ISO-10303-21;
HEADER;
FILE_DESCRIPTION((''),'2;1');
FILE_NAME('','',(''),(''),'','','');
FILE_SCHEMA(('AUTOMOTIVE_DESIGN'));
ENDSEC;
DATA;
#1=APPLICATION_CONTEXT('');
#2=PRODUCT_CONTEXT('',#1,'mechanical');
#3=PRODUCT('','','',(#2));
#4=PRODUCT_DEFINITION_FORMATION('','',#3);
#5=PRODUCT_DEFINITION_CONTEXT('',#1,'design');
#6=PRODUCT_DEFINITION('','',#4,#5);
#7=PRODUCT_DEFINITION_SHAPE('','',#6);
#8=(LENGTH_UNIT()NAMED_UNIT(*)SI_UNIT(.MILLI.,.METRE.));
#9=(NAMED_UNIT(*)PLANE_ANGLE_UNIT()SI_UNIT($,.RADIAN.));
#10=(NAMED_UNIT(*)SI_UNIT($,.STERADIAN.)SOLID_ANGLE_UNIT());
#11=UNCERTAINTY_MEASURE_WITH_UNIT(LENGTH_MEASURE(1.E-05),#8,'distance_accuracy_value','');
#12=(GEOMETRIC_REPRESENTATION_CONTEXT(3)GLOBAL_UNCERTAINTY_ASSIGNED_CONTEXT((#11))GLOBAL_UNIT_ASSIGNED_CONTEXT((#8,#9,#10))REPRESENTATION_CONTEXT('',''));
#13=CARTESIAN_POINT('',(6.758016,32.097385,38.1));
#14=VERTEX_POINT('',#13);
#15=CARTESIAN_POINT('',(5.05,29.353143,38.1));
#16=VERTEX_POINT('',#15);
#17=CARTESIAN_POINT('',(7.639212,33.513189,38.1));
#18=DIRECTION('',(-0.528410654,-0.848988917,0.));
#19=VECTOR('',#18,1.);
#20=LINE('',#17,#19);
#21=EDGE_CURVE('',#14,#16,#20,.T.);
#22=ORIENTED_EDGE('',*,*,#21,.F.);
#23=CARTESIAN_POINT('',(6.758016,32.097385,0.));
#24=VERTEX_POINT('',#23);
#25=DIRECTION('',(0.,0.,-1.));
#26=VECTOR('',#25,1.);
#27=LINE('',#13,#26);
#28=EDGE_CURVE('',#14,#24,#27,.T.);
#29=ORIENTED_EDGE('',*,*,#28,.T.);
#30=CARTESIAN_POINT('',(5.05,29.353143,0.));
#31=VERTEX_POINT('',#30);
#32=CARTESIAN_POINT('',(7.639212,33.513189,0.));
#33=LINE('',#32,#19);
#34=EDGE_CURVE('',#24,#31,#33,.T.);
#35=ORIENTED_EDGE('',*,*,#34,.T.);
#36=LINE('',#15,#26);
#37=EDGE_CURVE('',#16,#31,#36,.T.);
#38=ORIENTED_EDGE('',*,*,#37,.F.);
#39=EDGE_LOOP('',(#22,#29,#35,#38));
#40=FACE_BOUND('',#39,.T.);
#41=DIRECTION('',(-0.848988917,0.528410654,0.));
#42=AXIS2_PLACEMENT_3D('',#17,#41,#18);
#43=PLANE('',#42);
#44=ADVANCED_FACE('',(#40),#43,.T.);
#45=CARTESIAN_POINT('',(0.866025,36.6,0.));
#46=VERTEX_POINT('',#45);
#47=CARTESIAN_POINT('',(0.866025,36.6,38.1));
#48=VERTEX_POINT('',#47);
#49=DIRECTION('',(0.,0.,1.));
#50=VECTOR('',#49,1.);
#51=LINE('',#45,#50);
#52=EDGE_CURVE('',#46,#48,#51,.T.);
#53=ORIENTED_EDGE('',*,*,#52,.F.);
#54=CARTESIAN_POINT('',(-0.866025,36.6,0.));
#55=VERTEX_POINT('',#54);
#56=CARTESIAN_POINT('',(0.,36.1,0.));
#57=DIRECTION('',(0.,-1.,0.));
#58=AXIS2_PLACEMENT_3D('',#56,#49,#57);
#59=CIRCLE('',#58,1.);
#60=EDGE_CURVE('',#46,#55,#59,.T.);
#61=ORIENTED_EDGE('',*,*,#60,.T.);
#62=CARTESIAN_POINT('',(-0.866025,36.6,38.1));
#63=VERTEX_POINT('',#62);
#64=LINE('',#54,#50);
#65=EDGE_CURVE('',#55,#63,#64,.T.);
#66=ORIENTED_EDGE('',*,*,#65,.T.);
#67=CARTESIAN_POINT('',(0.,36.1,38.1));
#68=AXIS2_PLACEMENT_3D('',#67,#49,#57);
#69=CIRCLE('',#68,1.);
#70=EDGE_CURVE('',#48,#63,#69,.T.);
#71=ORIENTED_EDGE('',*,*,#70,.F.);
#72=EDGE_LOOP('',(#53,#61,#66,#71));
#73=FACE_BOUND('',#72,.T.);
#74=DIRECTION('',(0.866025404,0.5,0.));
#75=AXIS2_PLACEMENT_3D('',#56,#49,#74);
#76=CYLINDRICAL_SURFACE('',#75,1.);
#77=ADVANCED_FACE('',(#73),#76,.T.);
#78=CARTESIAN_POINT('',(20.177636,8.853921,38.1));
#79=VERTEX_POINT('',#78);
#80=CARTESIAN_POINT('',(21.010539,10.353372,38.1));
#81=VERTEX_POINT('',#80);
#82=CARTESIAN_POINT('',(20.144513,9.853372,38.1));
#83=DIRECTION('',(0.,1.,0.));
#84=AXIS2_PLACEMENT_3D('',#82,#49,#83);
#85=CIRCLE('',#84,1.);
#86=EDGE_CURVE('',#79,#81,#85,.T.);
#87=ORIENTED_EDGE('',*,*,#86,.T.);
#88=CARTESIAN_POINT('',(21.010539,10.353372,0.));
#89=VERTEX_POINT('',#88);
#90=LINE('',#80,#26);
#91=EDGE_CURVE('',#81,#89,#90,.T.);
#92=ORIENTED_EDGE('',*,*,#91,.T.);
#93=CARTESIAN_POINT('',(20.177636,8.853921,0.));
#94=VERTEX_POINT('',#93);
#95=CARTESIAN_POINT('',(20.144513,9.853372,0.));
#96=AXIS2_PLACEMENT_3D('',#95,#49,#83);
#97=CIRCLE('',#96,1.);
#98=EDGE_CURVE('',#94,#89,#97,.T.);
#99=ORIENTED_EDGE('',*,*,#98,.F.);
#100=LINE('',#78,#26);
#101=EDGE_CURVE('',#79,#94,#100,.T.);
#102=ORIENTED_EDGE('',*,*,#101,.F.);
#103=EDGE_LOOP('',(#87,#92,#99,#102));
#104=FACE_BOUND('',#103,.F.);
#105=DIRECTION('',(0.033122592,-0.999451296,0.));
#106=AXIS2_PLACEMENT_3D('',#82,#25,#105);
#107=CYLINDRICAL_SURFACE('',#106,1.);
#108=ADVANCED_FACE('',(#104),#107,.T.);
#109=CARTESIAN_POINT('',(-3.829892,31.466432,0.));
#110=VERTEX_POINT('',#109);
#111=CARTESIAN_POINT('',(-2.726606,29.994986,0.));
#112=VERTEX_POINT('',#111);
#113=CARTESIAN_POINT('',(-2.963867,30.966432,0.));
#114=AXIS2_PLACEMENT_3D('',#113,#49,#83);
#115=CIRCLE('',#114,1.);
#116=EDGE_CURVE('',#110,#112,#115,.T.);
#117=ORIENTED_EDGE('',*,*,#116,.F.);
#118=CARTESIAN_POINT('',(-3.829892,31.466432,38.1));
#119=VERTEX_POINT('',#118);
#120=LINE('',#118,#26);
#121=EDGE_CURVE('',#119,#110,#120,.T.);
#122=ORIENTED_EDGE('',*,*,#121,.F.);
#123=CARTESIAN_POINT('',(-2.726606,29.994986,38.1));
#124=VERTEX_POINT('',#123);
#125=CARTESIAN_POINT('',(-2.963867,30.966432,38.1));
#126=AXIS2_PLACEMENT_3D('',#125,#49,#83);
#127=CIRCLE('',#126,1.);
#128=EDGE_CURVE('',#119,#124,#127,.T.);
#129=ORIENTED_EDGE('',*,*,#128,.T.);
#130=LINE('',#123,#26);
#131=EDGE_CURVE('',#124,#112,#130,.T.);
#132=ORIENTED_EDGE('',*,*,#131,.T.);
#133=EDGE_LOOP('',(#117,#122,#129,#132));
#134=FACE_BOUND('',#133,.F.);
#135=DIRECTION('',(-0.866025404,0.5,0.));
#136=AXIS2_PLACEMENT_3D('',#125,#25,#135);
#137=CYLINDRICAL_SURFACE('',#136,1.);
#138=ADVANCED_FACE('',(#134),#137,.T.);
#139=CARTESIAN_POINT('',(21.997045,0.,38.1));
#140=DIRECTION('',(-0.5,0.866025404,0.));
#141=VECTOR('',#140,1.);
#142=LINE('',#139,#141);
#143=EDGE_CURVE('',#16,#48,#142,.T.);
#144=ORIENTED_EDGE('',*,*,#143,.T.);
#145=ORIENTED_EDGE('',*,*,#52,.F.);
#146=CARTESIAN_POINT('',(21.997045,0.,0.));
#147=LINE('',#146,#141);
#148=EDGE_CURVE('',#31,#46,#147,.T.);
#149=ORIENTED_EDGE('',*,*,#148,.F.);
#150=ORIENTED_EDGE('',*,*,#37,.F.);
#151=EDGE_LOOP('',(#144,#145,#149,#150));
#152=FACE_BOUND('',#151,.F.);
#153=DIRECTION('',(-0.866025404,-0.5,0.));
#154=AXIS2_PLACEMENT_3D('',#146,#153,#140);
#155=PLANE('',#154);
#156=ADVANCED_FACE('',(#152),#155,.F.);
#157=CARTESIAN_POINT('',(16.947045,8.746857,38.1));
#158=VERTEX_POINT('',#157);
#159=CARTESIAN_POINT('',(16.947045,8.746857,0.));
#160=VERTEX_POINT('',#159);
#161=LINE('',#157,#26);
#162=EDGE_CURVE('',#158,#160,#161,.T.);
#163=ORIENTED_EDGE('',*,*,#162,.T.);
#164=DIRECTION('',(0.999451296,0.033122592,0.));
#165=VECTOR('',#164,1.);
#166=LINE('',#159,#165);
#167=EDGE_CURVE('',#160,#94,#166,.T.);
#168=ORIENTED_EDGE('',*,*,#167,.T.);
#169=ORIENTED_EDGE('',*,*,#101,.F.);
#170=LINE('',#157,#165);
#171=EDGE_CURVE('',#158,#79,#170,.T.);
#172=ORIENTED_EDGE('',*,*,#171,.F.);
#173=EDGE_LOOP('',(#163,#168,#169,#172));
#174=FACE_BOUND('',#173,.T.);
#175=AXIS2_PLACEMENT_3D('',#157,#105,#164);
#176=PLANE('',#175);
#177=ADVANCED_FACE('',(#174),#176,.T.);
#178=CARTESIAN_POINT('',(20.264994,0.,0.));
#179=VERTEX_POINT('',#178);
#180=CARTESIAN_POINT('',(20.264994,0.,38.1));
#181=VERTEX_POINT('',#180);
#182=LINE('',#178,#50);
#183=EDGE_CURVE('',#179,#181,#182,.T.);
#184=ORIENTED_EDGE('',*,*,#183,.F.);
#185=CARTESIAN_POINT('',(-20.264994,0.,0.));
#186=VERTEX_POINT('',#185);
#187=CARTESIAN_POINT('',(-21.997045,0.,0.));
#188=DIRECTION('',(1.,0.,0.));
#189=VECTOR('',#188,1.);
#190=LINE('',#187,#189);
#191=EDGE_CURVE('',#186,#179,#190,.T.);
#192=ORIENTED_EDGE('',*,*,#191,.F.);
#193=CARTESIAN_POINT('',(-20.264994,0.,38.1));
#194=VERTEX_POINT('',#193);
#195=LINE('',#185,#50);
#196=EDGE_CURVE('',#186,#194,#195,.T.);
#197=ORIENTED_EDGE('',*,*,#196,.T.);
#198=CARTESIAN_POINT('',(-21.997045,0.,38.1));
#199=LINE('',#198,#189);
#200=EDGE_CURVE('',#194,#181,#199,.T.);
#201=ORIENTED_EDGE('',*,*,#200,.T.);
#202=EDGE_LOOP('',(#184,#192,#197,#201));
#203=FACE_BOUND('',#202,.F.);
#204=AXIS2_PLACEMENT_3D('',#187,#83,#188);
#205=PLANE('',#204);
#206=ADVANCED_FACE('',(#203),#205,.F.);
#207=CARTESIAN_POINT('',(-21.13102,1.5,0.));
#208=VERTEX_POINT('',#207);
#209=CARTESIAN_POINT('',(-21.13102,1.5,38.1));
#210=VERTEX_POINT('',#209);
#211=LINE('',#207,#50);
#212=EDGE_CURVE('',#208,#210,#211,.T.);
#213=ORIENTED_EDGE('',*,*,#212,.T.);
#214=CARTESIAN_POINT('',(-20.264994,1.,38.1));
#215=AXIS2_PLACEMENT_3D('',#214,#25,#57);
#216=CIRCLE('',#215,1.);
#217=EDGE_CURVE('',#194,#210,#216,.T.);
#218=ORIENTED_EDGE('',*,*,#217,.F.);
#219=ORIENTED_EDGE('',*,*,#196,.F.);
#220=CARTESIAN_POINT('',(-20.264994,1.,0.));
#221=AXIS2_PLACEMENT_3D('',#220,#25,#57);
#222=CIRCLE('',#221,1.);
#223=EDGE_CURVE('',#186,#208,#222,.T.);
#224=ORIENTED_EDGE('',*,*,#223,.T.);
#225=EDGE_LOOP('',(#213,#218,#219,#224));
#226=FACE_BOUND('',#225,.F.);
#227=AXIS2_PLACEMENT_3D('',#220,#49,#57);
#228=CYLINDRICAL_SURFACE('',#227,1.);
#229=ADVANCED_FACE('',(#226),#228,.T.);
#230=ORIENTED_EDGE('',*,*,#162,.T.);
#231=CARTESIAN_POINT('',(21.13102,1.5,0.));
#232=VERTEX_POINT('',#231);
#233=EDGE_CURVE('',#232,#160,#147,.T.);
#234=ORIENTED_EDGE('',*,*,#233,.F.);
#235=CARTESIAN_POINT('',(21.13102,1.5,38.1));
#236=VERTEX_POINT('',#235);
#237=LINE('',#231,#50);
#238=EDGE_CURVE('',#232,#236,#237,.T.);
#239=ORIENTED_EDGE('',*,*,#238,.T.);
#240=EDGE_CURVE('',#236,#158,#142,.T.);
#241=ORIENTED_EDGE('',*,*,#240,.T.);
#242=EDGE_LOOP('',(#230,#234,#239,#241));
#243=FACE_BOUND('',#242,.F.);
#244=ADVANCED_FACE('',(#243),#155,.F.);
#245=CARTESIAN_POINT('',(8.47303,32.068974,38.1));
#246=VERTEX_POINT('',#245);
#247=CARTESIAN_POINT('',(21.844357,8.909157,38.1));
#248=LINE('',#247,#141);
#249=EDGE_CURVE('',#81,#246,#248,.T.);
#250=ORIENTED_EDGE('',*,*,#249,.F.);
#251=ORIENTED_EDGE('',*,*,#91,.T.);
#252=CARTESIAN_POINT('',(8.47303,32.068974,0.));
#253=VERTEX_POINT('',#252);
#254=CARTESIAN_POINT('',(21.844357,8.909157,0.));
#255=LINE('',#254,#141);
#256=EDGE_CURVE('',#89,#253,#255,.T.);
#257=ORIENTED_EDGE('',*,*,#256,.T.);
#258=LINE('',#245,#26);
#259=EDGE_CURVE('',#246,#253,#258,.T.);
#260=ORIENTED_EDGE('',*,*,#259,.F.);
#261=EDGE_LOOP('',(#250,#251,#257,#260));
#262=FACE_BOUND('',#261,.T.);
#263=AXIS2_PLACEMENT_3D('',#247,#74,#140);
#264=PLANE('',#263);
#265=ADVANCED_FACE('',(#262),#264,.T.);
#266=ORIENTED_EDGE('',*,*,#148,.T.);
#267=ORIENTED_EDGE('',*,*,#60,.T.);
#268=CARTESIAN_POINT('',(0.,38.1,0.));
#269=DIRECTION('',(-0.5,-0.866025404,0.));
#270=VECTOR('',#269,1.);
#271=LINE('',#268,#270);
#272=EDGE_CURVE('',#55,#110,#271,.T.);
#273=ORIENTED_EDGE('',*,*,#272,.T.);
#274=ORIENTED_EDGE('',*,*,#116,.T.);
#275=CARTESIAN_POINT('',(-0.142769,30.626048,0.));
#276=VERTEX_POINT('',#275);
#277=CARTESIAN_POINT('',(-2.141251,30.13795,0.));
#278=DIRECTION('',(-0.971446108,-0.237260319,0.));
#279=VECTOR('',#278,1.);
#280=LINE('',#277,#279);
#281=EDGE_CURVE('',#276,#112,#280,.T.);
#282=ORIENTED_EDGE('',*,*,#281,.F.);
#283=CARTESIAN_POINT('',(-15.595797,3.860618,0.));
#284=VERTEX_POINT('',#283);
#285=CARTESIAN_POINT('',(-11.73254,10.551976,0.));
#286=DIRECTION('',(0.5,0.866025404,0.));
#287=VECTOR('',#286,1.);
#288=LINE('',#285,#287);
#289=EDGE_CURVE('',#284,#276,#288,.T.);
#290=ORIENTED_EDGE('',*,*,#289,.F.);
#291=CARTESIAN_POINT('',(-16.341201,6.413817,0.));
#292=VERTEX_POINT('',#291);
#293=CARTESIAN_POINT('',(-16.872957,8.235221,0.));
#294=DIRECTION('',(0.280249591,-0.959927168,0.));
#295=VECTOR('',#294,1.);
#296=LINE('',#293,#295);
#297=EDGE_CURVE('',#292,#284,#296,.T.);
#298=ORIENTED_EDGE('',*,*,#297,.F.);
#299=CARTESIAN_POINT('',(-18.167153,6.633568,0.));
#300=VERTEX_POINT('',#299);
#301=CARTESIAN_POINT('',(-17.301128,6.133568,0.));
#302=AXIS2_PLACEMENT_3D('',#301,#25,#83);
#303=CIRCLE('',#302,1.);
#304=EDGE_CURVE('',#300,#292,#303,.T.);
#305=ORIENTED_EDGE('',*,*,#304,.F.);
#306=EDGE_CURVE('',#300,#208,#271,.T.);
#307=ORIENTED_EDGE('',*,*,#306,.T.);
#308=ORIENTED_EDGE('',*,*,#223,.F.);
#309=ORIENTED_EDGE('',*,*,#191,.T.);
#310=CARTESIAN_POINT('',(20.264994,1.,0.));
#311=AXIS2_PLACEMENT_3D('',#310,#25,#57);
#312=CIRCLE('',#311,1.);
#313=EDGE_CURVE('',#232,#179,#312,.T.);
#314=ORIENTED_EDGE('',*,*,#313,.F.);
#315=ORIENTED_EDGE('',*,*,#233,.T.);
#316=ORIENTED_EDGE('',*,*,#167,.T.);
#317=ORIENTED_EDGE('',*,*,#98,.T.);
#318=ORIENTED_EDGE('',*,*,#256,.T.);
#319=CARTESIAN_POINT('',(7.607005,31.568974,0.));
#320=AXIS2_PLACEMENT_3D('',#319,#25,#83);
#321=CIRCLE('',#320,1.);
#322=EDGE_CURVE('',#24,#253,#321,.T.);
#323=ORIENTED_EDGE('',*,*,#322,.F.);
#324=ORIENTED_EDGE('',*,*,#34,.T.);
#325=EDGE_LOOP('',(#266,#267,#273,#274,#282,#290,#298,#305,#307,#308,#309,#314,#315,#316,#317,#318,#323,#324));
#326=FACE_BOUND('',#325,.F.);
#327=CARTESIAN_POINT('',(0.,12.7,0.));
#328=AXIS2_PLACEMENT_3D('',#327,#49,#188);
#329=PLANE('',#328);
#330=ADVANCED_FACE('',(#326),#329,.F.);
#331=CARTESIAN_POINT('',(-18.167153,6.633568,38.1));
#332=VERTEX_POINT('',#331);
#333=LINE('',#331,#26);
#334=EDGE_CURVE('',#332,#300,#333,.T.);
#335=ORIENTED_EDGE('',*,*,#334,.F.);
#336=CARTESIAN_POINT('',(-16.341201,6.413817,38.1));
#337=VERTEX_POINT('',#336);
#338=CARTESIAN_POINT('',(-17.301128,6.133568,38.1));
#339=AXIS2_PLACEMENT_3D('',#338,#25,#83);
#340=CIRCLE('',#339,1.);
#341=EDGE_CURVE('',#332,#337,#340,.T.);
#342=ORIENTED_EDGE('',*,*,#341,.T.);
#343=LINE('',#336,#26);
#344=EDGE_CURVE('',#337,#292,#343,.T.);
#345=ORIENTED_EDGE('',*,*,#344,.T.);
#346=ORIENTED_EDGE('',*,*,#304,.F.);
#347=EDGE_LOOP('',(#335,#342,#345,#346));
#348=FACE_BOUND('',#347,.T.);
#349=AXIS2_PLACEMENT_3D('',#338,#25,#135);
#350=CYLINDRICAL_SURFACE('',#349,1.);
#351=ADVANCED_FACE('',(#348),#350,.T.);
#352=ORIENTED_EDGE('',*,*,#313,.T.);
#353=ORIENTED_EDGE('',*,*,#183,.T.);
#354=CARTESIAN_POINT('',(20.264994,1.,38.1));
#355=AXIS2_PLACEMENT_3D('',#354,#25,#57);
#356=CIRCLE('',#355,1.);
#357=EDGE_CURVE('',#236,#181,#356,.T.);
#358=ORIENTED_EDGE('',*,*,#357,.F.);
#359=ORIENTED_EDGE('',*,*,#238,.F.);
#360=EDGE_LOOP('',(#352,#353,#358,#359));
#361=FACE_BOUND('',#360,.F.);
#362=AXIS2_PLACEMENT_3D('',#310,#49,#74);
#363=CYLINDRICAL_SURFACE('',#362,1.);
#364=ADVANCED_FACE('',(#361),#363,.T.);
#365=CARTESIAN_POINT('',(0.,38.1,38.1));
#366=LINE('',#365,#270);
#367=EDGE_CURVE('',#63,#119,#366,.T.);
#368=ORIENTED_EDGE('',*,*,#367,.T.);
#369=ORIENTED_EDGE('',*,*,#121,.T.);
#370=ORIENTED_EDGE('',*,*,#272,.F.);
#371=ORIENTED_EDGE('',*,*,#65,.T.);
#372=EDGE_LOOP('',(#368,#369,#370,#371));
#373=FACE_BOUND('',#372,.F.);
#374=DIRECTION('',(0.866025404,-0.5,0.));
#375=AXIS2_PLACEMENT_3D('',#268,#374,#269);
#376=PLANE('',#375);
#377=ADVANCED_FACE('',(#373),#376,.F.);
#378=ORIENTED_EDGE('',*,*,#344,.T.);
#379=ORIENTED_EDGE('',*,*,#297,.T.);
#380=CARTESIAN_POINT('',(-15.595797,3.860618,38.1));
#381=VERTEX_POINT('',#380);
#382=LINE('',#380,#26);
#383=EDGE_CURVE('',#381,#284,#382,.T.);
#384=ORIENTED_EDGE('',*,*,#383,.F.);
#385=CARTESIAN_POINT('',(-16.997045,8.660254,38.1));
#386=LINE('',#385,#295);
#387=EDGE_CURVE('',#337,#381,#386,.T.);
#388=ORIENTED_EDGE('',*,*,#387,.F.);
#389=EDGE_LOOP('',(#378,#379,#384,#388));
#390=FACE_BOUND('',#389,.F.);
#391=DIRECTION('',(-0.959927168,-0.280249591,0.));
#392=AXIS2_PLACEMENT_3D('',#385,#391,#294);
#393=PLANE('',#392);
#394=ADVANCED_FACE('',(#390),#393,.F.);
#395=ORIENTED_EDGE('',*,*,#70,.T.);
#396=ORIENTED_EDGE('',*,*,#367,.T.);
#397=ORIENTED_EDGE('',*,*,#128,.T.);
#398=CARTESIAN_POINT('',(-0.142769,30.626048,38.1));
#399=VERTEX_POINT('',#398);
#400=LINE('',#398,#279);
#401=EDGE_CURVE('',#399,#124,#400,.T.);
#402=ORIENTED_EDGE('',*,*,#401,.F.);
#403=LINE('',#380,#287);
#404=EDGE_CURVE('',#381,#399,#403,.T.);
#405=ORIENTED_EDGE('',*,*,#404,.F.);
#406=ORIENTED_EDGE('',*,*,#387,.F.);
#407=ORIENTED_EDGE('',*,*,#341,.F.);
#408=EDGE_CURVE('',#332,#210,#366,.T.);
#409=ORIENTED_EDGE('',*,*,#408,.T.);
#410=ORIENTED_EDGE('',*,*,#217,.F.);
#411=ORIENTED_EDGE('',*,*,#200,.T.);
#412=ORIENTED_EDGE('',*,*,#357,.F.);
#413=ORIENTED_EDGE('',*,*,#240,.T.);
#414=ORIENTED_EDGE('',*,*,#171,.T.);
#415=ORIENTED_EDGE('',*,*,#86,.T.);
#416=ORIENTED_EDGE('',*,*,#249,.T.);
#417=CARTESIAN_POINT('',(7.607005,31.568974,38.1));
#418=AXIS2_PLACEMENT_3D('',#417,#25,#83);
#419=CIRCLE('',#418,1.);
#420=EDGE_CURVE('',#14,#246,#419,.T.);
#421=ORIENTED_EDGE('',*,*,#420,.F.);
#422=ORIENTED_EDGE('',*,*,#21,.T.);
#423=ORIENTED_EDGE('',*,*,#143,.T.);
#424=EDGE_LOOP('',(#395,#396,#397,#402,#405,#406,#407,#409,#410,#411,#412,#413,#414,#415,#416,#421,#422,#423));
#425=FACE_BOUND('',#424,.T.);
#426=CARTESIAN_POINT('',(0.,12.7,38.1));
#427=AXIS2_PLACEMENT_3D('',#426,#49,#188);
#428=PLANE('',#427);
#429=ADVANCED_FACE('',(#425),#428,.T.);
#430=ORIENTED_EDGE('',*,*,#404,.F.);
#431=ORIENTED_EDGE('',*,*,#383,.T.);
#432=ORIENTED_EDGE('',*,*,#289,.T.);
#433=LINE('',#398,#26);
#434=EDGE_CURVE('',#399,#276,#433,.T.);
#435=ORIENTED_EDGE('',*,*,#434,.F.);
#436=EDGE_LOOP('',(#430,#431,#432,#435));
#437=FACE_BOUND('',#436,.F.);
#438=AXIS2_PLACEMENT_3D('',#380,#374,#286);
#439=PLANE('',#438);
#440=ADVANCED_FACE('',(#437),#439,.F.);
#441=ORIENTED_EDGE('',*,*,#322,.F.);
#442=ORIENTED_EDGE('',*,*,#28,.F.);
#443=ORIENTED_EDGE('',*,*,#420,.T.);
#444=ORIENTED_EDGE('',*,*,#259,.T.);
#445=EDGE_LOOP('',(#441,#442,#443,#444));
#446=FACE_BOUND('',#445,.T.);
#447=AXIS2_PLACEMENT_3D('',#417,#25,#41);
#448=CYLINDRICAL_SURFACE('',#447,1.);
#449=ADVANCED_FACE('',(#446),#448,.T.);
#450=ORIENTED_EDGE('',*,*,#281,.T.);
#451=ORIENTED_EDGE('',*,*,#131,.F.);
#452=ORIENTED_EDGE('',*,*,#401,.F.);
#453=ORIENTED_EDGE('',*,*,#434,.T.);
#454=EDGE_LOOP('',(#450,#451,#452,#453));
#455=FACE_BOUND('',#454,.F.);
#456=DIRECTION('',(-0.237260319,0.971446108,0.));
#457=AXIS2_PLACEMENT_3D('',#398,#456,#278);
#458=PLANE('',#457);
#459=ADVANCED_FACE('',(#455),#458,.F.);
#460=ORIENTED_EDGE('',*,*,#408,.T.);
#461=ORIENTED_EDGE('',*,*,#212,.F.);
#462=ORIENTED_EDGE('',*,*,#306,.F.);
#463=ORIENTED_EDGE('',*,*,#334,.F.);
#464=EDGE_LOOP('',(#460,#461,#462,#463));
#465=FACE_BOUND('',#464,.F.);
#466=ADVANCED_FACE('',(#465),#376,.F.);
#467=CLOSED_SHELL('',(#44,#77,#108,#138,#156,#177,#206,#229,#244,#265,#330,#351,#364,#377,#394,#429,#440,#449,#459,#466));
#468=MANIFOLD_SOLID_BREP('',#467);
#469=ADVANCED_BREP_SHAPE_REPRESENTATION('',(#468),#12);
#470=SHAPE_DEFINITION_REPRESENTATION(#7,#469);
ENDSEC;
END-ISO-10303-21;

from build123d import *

# Parameters (mm, degrees)
F1_DEPTH = 38.1
F3_DEPTH = 38.101
F4_R     = 1
F6_DEPTH = 38.1
F7_R     = 1
F8_R     = 1


with BuildPart() as f1:
    # F0 (on Top) → F1 (new body)
    with BuildSketch(Plane.XY):
        Polygon((21.9970452561, 0), (0, 38.1), (-21.9970452561, 0), align=None)
    extrude(amount=F1_DEPTH)

    # F2 (on face) → F3 (cut, through all)
    with BuildSketch(Plane.XY.offset(38.1)):
        Polygon((-0.1427694591, 30.6260475565), (-5, 29.4397459622), (-16.9970452561, 8.6602540378), (-15.595797303, 3.8606182002), align=None)
    extrude(amount=-F3_DEPTH, mode=Mode.SUBTRACT)

    # F4
    f4_edges = [f1.edges().sort_by_distance(p)[0] for p in [
        (-5, 29.439746, 19.05),
        (-16.997045, 8.660254, 19.05),
    ]]
    fillet(f4_edges, radius=F4_R)

    # F5 (on face) → F6 (join, through all)
    with BuildSketch(Plane.XY.offset(38.1)):
        Polygon((7.6392122053, 33.5131891134), (5.05, 29.3531434218), (16.9470452561, 8.7468565782), (21.8443566086, 8.909157278), align=None)
    extrude(amount=-F6_DEPTH)

    # F7
    f7_edges = [f1.edges().sort_by_distance(p)[0] for p in [
        (7.639212, 33.513189, 19.05),
        (21.844357, 8.909157, 19.05),
    ]]
    fillet(f7_edges, radius=F7_R)

    # F8
    f8_edges = [f1.edges().sort_by_distance(p)[0] for p in [
        (0, 38.1, 19.05),
        (-21.997045, 0, 19.05),
        (21.997045, 0, 19.05),
    ]]
    fillet(f8_edges, radius=F8_R)


solid = f1.part
